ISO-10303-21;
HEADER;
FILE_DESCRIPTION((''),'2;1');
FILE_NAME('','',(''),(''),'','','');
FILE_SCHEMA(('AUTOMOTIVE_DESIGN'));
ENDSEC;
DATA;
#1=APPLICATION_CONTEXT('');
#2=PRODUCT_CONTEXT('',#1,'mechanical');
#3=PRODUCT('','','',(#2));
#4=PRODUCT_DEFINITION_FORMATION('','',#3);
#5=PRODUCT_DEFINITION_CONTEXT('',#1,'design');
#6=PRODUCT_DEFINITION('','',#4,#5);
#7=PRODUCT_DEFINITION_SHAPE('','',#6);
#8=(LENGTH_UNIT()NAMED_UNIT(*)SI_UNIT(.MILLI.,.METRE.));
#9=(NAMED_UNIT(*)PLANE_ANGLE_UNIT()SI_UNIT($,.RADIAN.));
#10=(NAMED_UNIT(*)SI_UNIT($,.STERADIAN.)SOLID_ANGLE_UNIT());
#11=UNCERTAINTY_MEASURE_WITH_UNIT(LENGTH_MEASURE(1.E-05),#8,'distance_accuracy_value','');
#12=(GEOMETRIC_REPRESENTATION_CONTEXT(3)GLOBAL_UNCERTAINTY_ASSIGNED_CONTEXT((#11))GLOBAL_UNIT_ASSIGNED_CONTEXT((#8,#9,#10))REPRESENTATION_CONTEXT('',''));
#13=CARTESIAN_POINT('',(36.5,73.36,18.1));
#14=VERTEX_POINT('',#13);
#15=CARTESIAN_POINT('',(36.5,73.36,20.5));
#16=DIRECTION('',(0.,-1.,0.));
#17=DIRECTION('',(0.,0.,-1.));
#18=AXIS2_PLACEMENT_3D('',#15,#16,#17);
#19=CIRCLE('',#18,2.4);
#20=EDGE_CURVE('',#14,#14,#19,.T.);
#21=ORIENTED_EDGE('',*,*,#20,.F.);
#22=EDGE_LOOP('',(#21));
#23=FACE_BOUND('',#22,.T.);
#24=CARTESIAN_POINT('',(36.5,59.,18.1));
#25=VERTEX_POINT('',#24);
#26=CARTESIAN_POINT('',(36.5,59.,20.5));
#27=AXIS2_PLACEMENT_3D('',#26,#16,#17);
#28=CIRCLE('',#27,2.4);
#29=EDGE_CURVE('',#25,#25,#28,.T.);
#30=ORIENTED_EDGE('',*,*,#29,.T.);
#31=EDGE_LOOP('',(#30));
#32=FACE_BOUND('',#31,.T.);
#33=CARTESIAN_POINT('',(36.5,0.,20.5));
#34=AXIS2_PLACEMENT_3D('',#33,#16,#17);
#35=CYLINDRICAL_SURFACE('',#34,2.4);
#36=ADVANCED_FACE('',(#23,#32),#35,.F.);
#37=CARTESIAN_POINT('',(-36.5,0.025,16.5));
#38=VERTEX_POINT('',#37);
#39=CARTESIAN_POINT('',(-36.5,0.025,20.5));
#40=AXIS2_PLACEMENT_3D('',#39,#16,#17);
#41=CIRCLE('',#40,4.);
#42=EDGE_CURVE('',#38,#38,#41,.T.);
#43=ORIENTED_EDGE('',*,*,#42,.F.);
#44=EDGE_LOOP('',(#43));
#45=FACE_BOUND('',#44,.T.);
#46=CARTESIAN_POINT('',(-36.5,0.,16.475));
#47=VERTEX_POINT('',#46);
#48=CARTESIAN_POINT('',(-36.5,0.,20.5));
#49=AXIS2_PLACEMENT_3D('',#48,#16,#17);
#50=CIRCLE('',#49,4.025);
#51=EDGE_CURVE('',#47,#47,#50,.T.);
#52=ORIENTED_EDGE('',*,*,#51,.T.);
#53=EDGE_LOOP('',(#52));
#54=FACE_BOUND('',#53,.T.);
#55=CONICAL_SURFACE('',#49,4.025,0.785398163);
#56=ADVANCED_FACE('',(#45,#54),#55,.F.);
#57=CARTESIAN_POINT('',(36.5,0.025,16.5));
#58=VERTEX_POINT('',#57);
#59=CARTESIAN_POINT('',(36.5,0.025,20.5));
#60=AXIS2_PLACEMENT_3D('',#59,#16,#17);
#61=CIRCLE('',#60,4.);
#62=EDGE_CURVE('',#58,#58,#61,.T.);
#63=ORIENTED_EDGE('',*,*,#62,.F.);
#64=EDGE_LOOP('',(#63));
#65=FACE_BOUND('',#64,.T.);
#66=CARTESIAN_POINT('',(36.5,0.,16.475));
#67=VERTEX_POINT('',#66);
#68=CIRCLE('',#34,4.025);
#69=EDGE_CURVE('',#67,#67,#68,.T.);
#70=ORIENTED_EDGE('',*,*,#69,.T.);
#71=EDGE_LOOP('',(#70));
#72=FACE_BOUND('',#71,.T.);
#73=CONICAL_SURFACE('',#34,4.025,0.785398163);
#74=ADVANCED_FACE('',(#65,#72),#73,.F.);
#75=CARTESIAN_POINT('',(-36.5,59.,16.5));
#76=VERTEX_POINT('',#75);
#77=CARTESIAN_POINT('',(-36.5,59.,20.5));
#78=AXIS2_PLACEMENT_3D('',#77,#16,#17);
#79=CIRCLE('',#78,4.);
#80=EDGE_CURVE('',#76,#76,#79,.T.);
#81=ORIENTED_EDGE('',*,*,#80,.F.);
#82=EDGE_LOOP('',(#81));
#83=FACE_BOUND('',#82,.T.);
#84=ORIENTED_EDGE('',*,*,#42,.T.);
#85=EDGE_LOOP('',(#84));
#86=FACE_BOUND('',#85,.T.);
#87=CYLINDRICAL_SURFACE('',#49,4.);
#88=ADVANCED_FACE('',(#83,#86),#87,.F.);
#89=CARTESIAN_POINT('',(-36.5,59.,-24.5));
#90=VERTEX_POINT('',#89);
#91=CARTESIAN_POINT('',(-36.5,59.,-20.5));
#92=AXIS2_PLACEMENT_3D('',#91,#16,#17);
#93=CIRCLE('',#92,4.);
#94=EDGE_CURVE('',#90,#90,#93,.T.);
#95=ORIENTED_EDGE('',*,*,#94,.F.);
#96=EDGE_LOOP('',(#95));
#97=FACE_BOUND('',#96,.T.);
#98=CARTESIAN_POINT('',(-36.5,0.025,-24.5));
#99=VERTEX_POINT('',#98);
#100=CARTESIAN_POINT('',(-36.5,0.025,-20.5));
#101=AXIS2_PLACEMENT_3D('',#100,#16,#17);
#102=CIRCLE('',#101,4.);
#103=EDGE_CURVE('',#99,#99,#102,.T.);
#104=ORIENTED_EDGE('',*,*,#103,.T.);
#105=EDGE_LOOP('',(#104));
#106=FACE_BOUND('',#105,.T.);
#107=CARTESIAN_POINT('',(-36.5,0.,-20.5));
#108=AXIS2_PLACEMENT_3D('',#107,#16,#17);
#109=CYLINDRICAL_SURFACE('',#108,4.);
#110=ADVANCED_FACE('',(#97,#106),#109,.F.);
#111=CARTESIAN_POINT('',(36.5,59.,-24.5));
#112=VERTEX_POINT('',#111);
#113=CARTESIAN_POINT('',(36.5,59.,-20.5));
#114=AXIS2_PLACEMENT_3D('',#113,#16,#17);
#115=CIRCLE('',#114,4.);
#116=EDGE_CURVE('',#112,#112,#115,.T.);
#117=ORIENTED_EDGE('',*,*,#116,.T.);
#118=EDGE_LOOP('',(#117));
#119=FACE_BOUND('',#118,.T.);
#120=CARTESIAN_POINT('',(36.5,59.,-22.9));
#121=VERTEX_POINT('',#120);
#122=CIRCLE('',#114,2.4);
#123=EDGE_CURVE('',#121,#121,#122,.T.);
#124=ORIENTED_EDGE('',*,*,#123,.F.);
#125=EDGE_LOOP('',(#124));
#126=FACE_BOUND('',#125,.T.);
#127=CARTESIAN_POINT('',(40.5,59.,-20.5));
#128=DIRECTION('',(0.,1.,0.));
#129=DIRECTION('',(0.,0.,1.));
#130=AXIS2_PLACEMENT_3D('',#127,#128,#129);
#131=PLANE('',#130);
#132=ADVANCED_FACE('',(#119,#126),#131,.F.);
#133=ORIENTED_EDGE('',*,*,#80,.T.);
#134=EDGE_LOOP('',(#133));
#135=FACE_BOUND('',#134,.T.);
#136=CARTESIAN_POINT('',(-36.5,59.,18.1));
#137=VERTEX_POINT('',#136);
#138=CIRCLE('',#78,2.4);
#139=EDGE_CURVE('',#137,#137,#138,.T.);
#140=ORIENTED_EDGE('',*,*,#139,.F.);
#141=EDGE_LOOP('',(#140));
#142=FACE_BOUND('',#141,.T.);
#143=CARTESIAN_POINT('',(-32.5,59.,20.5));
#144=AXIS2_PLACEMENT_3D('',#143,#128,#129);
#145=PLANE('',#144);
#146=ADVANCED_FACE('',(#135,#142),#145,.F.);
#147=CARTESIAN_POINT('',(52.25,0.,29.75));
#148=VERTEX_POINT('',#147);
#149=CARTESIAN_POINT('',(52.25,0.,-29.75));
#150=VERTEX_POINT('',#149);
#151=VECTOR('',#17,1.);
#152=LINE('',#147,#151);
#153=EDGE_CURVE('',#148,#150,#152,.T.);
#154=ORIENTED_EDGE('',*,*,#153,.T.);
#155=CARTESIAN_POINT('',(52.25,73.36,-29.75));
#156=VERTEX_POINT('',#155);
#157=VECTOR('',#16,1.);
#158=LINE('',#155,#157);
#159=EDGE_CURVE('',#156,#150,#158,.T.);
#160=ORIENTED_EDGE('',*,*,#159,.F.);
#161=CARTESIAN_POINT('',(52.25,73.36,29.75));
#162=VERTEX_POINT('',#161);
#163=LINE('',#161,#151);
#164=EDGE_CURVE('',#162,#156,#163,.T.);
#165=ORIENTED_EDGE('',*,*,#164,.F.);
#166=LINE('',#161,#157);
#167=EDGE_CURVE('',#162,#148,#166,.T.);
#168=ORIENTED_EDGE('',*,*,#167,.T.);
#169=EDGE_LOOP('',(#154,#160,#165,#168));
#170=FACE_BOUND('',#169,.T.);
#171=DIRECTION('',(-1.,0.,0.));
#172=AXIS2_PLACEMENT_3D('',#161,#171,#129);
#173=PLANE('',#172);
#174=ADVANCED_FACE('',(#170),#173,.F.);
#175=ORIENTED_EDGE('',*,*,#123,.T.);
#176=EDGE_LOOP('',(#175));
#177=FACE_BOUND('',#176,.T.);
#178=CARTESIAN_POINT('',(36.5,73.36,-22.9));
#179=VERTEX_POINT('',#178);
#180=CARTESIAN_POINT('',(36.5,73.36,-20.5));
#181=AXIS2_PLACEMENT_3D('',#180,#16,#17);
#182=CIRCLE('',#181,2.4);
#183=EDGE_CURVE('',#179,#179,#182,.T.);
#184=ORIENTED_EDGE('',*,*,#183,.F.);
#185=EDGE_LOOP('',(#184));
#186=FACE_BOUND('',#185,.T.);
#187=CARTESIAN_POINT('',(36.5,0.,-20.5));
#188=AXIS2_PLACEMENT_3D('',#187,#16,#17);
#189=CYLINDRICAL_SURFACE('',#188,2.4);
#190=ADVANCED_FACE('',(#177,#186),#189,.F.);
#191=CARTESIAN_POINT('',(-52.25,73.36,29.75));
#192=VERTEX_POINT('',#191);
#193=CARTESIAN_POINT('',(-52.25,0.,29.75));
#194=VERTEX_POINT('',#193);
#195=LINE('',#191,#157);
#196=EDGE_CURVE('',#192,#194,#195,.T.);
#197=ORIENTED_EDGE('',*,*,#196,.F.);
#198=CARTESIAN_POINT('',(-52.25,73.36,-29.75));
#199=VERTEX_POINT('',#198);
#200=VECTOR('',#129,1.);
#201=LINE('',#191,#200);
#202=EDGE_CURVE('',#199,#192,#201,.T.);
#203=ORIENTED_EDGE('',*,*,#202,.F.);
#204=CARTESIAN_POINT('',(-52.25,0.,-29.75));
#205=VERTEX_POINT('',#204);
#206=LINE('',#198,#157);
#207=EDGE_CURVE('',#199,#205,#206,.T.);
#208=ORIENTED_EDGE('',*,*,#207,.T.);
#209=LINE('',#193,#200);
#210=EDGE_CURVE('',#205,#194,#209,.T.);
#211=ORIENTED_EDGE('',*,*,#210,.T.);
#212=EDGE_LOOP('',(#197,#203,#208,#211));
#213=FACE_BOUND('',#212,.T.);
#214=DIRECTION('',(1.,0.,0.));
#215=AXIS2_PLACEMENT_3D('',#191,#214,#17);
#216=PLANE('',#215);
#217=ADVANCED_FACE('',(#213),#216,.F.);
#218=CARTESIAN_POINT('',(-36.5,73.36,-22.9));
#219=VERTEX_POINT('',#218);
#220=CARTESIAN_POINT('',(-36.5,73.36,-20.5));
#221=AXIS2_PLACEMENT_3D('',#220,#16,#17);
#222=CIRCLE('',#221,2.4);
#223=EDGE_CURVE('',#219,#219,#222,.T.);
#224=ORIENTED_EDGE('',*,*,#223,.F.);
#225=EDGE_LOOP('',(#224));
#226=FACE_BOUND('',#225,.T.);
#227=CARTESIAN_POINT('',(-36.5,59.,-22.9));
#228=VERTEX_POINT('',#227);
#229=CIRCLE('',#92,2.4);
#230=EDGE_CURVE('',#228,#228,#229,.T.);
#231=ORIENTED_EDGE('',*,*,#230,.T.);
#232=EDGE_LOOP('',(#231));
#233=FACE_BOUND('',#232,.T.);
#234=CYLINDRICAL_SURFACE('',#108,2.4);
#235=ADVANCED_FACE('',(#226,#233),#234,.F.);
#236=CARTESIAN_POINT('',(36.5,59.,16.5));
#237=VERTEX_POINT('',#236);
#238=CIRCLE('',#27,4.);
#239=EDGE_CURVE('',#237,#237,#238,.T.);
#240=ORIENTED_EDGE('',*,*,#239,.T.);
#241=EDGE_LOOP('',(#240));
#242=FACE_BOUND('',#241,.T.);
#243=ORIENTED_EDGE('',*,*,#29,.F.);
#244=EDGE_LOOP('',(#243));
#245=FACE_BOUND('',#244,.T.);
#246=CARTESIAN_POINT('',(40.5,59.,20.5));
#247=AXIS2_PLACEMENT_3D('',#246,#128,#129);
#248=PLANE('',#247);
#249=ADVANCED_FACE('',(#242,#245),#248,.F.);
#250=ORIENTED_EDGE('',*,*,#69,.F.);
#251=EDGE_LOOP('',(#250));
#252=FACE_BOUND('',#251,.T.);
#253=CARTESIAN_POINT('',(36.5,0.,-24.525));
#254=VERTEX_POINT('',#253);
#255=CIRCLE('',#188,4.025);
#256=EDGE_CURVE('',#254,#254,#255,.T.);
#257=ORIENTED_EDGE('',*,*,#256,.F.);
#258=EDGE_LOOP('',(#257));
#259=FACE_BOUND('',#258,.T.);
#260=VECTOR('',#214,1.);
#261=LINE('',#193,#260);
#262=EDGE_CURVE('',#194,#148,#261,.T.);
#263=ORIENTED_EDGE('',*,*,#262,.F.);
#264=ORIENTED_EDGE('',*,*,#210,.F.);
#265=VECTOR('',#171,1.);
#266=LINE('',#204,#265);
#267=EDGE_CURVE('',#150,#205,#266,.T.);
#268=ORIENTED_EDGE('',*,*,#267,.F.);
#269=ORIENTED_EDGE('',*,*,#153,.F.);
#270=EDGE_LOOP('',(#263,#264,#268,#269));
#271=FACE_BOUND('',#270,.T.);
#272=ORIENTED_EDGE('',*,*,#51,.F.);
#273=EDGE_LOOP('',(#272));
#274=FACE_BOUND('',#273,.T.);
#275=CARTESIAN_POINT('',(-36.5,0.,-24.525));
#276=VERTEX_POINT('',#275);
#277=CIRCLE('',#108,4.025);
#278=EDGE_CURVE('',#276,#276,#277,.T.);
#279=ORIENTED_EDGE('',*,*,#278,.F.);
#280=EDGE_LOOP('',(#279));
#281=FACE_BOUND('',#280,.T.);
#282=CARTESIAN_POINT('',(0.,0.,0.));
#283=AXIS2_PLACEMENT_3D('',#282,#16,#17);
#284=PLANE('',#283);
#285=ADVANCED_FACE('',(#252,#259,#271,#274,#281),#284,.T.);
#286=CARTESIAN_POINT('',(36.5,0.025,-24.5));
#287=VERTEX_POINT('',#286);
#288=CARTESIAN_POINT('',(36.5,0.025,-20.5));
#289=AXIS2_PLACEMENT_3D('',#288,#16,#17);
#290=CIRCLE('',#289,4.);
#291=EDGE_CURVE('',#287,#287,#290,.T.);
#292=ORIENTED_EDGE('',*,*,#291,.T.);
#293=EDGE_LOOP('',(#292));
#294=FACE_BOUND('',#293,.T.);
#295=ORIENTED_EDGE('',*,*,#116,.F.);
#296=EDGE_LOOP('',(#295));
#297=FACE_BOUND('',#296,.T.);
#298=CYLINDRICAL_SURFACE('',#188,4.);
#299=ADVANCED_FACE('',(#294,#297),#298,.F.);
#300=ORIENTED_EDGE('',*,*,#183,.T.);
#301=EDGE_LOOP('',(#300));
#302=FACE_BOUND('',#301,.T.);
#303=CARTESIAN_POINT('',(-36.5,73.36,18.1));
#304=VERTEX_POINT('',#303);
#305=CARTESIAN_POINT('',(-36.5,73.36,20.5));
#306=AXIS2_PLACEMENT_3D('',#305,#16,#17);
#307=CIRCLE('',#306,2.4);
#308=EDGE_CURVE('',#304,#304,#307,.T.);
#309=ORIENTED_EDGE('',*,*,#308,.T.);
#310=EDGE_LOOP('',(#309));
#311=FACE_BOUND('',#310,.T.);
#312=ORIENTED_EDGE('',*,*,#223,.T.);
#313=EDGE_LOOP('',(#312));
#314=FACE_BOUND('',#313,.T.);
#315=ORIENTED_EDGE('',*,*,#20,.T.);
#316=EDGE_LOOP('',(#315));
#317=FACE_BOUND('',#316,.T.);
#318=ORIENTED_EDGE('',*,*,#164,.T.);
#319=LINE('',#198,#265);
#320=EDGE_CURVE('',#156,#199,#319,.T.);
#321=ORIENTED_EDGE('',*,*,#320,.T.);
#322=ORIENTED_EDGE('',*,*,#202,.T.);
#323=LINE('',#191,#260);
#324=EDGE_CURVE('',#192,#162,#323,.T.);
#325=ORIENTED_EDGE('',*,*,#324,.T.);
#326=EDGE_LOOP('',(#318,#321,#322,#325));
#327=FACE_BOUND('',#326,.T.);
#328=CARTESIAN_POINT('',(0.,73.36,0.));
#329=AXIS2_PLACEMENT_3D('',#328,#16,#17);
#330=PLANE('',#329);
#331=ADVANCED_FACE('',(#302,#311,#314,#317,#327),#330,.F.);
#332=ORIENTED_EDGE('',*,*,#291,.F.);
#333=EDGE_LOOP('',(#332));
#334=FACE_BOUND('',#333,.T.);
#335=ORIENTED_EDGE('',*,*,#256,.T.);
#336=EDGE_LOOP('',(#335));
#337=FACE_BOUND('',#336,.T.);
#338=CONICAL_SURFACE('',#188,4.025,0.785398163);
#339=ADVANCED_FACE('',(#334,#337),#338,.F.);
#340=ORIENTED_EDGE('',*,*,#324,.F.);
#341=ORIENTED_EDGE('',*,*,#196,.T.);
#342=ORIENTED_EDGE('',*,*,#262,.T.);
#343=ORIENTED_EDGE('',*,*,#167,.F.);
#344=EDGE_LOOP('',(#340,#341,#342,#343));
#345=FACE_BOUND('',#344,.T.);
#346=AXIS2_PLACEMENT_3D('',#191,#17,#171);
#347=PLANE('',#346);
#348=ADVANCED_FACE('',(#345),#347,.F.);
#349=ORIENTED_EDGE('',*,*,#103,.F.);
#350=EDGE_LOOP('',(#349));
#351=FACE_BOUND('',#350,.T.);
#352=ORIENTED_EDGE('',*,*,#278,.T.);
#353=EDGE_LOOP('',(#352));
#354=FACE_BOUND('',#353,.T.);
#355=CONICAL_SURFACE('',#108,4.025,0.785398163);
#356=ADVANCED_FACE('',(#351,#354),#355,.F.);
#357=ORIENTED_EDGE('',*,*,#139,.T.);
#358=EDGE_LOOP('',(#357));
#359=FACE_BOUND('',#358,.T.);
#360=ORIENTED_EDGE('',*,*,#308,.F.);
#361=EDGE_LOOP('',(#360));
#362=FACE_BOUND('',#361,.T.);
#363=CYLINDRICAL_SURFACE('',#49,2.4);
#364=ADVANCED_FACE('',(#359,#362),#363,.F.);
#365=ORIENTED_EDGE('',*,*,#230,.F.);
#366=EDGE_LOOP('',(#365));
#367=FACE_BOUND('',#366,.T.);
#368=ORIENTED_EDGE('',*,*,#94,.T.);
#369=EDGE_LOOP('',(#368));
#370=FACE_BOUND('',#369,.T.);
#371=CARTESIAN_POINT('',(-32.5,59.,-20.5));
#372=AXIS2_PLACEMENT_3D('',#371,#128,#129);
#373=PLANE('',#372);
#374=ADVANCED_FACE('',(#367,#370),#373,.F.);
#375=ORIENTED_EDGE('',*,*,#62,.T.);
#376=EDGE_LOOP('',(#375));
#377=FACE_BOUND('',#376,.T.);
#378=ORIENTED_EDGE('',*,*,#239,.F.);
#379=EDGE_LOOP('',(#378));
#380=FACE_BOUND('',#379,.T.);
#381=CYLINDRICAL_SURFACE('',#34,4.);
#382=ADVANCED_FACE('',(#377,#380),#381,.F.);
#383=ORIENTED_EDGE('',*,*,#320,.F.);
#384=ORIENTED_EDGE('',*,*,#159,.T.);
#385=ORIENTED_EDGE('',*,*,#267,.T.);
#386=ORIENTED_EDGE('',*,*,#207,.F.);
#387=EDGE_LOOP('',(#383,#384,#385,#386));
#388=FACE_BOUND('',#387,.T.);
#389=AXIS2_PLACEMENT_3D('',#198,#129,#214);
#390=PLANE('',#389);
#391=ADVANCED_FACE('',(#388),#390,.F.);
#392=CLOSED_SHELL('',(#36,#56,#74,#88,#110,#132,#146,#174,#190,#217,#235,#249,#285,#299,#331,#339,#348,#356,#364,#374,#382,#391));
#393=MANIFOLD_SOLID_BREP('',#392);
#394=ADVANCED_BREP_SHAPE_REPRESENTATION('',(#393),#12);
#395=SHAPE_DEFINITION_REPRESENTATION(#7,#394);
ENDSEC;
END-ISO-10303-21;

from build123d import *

# Parameters (mm, degrees)
SKETCH1_W                     = 104.5
SKETCH1_H                     = 59.5
BOSS_EXTRUDE1_DEPTH           = 73.36
CBORE_FOR_M4_SHCS2_AT_2_COUNT = 2
CBORE_FOR_M4_SHCS2_AT_2_PITCH = 73
CBORE_FOR_M4_SHCS2_AT_3_COUNT = 2
CBORE_FOR_M4_SHCS2_AT_3_PITCH = 83.725742756
CBORE_FOR_M4_SHCS2_AT_4_COUNT = 2
CBORE_FOR_M4_SHCS2_AT_4_PITCH = 41


with BuildPart() as part:
    # Sketch1 → Boss-Extrude1 (new body)
    with BuildSketch(Plane(origin=(0, 0, 0), x_dir=(1, 0, 0), z_dir=(0, 1, 0))):
        Rectangle(SKETCH1_W, SKETCH1_H)
    extrude(amount=BOSS_EXTRUDE1_DEPTH)

    # Sketch3 → CBORE for M4 SHCS2 (revolve, cut)
    with BuildSketch(Plane(origin=(-36.5, 0, 20.5), x_dir=(0, 0, -1), z_dir=(1, 0, 0))):
        Polygon((0, 0), (0, 73.36), (2.4, 73.36), (2.4, 59), (4, 59), (4, 0.025), (4.025, 0), align=None)
    cbore_for_m4_shcs2 = revolve(axis=Axis((-36.5, -6.35, 20.5), (0, 1, 0)), mode=Mode.SUBTRACT)

    # CBORE for M4 SHCS2 at 2: CBORE for M4 SHCS2 ×2
    with Locations(*[(i * CBORE_FOR_M4_SHCS2_AT_2_PITCH, 0, 0) for i in range(1, CBORE_FOR_M4_SHCS2_AT_2_COUNT)]):
        add(cbore_for_m4_shcs2, mode=Mode.SUBTRACT)

    # CBORE for M4 SHCS2 at 3: CBORE for M4 SHCS2 ×2
    with Locations(*[Vector(0.8718943254163863, 0, -0.48969407317906627) * (i * CBORE_FOR_M4_SHCS2_AT_3_PITCH) for i in range(1, CBORE_FOR_M4_SHCS2_AT_3_COUNT)]):
        add(cbore_for_m4_shcs2, mode=Mode.SUBTRACT)

    # CBORE for M4 SHCS2 at 4: CBORE for M4 SHCS2 ×2
    with Locations(*[(0, 0, -i * CBORE_FOR_M4_SHCS2_AT_4_PITCH) for i in range(1, CBORE_FOR_M4_SHCS2_AT_4_COUNT)]):
        add(cbore_for_m4_shcs2, mode=Mode.SUBTRACT)


solid = part.part
